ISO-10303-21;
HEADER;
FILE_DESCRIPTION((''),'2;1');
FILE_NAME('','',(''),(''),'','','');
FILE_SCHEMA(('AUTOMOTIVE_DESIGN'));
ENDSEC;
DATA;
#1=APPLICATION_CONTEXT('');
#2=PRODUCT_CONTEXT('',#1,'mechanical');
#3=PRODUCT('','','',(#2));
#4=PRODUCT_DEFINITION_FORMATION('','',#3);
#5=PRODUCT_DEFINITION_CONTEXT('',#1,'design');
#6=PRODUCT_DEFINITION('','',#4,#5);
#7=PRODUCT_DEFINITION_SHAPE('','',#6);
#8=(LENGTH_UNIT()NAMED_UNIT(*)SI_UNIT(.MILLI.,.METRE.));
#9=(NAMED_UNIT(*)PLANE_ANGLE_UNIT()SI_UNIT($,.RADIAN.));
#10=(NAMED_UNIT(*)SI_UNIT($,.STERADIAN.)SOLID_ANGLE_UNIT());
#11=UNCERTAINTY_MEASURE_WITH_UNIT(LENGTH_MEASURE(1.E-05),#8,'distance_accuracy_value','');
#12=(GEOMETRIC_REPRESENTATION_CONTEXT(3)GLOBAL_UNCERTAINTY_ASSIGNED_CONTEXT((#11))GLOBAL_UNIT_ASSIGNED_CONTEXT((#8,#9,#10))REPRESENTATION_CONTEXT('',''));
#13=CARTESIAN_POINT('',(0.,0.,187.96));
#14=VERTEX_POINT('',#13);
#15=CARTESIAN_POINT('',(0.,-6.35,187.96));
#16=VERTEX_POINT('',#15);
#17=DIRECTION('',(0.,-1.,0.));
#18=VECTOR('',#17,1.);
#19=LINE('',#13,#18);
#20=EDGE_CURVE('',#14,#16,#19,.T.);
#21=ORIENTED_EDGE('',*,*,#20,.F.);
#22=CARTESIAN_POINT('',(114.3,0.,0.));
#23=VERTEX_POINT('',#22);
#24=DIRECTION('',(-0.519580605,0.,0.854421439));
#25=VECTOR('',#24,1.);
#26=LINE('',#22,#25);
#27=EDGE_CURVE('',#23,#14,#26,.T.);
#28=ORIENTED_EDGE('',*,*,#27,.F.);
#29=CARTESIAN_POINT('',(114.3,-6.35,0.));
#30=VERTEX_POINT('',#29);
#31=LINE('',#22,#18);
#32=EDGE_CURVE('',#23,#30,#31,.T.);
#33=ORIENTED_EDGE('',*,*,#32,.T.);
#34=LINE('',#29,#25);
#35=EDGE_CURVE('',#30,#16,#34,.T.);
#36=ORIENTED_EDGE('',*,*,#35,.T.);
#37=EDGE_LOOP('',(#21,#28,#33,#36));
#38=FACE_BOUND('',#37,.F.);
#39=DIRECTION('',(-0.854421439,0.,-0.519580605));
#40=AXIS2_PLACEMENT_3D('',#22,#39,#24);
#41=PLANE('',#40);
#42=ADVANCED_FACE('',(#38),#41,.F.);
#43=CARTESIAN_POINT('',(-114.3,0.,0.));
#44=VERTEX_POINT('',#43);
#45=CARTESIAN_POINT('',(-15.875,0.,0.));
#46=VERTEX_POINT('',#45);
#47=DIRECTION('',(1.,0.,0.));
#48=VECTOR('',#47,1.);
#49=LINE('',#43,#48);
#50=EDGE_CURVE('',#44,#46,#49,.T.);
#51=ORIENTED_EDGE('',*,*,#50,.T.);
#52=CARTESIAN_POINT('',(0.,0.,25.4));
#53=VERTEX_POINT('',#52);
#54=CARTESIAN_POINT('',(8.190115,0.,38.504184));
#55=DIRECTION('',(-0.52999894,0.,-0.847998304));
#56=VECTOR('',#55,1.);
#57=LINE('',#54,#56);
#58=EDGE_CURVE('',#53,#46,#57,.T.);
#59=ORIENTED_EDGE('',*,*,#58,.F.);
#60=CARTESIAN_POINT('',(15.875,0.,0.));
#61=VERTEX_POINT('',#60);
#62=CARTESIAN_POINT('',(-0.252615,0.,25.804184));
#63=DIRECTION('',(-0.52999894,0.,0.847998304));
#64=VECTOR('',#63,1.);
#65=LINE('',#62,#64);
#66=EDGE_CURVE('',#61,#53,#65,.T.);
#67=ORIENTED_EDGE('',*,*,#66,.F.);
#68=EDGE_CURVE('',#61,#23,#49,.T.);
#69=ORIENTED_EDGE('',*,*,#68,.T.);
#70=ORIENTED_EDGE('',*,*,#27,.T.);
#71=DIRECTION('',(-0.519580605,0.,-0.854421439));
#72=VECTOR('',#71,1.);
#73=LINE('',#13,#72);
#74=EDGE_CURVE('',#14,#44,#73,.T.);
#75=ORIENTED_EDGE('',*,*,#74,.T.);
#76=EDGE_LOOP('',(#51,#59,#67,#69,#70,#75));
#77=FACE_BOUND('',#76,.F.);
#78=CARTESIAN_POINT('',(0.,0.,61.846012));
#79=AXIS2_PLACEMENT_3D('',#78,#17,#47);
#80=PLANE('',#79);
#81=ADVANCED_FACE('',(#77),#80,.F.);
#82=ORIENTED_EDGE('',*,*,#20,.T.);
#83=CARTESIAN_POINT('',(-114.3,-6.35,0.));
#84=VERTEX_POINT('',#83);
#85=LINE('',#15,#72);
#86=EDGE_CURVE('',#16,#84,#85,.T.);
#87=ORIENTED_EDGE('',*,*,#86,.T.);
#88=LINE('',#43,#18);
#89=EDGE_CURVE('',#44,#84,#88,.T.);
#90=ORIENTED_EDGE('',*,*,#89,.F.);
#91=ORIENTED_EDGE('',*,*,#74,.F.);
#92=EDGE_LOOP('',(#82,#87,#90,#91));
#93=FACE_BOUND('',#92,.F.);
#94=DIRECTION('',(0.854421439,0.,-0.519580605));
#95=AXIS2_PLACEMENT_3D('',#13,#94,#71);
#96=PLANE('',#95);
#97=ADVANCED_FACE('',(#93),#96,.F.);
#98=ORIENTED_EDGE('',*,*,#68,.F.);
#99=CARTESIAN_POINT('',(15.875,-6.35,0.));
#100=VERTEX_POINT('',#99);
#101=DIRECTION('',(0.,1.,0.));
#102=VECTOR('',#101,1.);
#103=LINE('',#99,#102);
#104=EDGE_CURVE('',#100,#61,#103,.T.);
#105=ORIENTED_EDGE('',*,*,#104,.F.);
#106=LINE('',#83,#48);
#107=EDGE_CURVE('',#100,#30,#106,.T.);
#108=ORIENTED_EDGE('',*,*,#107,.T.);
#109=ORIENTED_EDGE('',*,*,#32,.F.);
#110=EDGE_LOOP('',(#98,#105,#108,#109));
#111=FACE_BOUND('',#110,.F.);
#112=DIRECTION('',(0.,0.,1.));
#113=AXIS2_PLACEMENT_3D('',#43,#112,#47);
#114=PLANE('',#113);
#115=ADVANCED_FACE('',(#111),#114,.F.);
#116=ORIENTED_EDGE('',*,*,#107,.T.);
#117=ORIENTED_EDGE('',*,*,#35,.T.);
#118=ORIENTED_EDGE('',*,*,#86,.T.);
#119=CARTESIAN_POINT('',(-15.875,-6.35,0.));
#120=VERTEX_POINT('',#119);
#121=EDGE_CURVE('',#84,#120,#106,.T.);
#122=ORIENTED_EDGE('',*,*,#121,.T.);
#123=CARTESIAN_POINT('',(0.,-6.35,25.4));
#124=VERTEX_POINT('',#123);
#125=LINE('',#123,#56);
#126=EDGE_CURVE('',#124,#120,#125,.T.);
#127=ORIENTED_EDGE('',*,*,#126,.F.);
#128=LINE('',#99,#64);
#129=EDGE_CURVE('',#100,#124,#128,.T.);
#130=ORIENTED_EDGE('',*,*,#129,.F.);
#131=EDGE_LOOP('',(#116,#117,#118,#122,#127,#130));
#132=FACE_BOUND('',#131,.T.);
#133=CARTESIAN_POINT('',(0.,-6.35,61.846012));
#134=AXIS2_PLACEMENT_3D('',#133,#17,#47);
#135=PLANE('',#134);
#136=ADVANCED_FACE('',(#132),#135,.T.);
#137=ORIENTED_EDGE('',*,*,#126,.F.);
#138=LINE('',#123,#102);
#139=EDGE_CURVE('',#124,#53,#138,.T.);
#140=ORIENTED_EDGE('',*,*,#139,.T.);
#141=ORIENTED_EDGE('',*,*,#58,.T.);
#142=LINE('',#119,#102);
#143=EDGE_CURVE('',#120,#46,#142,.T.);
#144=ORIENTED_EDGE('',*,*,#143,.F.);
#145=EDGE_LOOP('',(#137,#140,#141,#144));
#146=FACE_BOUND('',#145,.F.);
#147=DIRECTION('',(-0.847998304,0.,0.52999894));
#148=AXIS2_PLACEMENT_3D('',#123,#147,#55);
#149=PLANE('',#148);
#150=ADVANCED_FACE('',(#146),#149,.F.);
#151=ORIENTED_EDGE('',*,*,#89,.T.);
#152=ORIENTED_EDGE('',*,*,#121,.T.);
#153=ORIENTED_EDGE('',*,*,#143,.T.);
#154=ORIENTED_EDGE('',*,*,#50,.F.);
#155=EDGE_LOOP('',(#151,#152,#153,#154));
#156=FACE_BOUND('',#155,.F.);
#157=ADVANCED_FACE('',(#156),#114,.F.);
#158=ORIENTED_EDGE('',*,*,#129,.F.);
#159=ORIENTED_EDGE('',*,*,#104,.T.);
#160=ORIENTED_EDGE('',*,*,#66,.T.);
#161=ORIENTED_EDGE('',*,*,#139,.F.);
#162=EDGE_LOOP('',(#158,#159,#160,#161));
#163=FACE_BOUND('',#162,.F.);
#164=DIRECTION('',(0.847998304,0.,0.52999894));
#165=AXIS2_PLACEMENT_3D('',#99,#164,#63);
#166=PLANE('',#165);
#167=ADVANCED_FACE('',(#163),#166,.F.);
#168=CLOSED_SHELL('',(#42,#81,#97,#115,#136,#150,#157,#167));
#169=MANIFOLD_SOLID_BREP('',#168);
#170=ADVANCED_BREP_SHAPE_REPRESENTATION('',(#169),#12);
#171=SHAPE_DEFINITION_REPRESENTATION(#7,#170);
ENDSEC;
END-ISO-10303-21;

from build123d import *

# Parameters (mm, degrees)
F1_DEPTH = 6.35
F3_DEPTH = 6.351


with BuildPart() as f1:
    # F0 (on Front) → F1 (new body)
    with BuildSketch(Plane.XZ):
        Polygon((0, 187.96), (-114.3, 0), (114.3, 0), align=None)
    extrude(amount=F1_DEPTH)

    # F2 (on face) → F3 (cut, through all)
    with BuildSketch(Plane.XZ.offset(6.35)):
        Polygon((0, 25.4), (-15.875, 0), (15.875, 0), align=None)
    extrude(amount=-F3_DEPTH, mode=Mode.SUBTRACT)


solid = f1.part
